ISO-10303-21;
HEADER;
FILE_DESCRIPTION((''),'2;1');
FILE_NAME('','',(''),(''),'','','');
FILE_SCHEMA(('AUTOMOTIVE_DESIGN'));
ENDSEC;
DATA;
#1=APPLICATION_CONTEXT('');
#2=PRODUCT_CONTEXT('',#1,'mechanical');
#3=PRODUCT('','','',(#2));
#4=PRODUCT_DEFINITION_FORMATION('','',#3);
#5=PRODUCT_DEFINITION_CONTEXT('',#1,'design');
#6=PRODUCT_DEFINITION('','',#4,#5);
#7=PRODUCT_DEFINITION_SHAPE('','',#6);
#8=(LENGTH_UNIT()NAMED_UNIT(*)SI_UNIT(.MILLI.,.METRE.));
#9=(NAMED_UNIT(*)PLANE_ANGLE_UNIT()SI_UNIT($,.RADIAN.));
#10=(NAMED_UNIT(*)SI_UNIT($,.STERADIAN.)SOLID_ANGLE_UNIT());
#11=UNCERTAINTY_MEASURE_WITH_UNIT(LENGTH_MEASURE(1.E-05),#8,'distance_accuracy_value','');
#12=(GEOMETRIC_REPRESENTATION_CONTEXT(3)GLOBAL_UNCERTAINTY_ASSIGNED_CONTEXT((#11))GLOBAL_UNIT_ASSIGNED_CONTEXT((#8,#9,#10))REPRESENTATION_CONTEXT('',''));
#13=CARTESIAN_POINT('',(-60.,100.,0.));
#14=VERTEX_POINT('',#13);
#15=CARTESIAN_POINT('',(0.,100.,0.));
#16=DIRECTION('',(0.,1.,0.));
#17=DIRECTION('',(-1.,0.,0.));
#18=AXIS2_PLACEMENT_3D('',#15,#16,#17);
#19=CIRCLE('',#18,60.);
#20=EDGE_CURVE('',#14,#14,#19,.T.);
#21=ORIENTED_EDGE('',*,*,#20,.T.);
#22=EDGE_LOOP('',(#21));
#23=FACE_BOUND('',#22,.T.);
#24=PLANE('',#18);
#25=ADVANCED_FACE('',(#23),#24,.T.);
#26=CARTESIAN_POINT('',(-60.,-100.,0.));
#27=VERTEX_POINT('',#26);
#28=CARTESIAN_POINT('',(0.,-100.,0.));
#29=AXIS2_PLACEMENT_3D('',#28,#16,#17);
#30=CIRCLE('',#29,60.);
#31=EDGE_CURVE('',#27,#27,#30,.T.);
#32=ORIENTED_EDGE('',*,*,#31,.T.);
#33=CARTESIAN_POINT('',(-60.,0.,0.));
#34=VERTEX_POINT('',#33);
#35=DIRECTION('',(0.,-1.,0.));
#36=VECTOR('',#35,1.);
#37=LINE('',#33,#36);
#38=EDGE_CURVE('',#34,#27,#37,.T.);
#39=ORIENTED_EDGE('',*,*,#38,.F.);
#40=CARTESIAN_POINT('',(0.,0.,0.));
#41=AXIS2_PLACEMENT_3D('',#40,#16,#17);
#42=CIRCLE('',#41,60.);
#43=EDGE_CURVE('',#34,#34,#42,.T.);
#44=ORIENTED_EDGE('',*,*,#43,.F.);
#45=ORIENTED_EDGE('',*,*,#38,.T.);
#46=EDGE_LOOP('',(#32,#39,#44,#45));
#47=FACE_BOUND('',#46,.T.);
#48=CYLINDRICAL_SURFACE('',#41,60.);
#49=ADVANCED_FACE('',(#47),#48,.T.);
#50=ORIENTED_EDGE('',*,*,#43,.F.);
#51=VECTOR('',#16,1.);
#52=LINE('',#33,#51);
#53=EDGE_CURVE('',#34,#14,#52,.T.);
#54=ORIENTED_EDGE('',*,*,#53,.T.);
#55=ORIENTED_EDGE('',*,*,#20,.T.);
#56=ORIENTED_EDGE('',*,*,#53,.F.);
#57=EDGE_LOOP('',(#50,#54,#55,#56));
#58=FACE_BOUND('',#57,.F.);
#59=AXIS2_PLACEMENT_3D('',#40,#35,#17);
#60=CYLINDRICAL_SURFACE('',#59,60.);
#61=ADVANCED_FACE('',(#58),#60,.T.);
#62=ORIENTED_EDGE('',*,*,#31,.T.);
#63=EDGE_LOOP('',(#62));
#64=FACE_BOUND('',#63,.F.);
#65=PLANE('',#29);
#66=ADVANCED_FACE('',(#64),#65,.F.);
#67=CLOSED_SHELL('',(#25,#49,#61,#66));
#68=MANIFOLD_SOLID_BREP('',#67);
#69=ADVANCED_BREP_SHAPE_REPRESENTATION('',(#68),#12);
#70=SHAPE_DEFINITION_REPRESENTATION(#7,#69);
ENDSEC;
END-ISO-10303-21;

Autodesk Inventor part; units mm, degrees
ref_plane "YZ Plane" through (0, 0, 0) normal (1, 0, 0) x (0, 1, 0)
ref_plane "XZ Plane" through (0, 0, 0) normal (0, 1, 0) x (-1, 0, 0)
ref_plane "XY Plane" through (0, 0, 0) normal (0, 0, 1) x (1, 0, 0)
sketch "Sketch1" plane through (0, 0, 0) normal (0, 1, 0) x (-1, 0, 0)
  circle A0 centre (0, 0) radius 60
  dimension "d0" = 120
extrude "Extrusion1" add sketch "Sketch1" along normal mid plane 200
properties part number "Camera"
